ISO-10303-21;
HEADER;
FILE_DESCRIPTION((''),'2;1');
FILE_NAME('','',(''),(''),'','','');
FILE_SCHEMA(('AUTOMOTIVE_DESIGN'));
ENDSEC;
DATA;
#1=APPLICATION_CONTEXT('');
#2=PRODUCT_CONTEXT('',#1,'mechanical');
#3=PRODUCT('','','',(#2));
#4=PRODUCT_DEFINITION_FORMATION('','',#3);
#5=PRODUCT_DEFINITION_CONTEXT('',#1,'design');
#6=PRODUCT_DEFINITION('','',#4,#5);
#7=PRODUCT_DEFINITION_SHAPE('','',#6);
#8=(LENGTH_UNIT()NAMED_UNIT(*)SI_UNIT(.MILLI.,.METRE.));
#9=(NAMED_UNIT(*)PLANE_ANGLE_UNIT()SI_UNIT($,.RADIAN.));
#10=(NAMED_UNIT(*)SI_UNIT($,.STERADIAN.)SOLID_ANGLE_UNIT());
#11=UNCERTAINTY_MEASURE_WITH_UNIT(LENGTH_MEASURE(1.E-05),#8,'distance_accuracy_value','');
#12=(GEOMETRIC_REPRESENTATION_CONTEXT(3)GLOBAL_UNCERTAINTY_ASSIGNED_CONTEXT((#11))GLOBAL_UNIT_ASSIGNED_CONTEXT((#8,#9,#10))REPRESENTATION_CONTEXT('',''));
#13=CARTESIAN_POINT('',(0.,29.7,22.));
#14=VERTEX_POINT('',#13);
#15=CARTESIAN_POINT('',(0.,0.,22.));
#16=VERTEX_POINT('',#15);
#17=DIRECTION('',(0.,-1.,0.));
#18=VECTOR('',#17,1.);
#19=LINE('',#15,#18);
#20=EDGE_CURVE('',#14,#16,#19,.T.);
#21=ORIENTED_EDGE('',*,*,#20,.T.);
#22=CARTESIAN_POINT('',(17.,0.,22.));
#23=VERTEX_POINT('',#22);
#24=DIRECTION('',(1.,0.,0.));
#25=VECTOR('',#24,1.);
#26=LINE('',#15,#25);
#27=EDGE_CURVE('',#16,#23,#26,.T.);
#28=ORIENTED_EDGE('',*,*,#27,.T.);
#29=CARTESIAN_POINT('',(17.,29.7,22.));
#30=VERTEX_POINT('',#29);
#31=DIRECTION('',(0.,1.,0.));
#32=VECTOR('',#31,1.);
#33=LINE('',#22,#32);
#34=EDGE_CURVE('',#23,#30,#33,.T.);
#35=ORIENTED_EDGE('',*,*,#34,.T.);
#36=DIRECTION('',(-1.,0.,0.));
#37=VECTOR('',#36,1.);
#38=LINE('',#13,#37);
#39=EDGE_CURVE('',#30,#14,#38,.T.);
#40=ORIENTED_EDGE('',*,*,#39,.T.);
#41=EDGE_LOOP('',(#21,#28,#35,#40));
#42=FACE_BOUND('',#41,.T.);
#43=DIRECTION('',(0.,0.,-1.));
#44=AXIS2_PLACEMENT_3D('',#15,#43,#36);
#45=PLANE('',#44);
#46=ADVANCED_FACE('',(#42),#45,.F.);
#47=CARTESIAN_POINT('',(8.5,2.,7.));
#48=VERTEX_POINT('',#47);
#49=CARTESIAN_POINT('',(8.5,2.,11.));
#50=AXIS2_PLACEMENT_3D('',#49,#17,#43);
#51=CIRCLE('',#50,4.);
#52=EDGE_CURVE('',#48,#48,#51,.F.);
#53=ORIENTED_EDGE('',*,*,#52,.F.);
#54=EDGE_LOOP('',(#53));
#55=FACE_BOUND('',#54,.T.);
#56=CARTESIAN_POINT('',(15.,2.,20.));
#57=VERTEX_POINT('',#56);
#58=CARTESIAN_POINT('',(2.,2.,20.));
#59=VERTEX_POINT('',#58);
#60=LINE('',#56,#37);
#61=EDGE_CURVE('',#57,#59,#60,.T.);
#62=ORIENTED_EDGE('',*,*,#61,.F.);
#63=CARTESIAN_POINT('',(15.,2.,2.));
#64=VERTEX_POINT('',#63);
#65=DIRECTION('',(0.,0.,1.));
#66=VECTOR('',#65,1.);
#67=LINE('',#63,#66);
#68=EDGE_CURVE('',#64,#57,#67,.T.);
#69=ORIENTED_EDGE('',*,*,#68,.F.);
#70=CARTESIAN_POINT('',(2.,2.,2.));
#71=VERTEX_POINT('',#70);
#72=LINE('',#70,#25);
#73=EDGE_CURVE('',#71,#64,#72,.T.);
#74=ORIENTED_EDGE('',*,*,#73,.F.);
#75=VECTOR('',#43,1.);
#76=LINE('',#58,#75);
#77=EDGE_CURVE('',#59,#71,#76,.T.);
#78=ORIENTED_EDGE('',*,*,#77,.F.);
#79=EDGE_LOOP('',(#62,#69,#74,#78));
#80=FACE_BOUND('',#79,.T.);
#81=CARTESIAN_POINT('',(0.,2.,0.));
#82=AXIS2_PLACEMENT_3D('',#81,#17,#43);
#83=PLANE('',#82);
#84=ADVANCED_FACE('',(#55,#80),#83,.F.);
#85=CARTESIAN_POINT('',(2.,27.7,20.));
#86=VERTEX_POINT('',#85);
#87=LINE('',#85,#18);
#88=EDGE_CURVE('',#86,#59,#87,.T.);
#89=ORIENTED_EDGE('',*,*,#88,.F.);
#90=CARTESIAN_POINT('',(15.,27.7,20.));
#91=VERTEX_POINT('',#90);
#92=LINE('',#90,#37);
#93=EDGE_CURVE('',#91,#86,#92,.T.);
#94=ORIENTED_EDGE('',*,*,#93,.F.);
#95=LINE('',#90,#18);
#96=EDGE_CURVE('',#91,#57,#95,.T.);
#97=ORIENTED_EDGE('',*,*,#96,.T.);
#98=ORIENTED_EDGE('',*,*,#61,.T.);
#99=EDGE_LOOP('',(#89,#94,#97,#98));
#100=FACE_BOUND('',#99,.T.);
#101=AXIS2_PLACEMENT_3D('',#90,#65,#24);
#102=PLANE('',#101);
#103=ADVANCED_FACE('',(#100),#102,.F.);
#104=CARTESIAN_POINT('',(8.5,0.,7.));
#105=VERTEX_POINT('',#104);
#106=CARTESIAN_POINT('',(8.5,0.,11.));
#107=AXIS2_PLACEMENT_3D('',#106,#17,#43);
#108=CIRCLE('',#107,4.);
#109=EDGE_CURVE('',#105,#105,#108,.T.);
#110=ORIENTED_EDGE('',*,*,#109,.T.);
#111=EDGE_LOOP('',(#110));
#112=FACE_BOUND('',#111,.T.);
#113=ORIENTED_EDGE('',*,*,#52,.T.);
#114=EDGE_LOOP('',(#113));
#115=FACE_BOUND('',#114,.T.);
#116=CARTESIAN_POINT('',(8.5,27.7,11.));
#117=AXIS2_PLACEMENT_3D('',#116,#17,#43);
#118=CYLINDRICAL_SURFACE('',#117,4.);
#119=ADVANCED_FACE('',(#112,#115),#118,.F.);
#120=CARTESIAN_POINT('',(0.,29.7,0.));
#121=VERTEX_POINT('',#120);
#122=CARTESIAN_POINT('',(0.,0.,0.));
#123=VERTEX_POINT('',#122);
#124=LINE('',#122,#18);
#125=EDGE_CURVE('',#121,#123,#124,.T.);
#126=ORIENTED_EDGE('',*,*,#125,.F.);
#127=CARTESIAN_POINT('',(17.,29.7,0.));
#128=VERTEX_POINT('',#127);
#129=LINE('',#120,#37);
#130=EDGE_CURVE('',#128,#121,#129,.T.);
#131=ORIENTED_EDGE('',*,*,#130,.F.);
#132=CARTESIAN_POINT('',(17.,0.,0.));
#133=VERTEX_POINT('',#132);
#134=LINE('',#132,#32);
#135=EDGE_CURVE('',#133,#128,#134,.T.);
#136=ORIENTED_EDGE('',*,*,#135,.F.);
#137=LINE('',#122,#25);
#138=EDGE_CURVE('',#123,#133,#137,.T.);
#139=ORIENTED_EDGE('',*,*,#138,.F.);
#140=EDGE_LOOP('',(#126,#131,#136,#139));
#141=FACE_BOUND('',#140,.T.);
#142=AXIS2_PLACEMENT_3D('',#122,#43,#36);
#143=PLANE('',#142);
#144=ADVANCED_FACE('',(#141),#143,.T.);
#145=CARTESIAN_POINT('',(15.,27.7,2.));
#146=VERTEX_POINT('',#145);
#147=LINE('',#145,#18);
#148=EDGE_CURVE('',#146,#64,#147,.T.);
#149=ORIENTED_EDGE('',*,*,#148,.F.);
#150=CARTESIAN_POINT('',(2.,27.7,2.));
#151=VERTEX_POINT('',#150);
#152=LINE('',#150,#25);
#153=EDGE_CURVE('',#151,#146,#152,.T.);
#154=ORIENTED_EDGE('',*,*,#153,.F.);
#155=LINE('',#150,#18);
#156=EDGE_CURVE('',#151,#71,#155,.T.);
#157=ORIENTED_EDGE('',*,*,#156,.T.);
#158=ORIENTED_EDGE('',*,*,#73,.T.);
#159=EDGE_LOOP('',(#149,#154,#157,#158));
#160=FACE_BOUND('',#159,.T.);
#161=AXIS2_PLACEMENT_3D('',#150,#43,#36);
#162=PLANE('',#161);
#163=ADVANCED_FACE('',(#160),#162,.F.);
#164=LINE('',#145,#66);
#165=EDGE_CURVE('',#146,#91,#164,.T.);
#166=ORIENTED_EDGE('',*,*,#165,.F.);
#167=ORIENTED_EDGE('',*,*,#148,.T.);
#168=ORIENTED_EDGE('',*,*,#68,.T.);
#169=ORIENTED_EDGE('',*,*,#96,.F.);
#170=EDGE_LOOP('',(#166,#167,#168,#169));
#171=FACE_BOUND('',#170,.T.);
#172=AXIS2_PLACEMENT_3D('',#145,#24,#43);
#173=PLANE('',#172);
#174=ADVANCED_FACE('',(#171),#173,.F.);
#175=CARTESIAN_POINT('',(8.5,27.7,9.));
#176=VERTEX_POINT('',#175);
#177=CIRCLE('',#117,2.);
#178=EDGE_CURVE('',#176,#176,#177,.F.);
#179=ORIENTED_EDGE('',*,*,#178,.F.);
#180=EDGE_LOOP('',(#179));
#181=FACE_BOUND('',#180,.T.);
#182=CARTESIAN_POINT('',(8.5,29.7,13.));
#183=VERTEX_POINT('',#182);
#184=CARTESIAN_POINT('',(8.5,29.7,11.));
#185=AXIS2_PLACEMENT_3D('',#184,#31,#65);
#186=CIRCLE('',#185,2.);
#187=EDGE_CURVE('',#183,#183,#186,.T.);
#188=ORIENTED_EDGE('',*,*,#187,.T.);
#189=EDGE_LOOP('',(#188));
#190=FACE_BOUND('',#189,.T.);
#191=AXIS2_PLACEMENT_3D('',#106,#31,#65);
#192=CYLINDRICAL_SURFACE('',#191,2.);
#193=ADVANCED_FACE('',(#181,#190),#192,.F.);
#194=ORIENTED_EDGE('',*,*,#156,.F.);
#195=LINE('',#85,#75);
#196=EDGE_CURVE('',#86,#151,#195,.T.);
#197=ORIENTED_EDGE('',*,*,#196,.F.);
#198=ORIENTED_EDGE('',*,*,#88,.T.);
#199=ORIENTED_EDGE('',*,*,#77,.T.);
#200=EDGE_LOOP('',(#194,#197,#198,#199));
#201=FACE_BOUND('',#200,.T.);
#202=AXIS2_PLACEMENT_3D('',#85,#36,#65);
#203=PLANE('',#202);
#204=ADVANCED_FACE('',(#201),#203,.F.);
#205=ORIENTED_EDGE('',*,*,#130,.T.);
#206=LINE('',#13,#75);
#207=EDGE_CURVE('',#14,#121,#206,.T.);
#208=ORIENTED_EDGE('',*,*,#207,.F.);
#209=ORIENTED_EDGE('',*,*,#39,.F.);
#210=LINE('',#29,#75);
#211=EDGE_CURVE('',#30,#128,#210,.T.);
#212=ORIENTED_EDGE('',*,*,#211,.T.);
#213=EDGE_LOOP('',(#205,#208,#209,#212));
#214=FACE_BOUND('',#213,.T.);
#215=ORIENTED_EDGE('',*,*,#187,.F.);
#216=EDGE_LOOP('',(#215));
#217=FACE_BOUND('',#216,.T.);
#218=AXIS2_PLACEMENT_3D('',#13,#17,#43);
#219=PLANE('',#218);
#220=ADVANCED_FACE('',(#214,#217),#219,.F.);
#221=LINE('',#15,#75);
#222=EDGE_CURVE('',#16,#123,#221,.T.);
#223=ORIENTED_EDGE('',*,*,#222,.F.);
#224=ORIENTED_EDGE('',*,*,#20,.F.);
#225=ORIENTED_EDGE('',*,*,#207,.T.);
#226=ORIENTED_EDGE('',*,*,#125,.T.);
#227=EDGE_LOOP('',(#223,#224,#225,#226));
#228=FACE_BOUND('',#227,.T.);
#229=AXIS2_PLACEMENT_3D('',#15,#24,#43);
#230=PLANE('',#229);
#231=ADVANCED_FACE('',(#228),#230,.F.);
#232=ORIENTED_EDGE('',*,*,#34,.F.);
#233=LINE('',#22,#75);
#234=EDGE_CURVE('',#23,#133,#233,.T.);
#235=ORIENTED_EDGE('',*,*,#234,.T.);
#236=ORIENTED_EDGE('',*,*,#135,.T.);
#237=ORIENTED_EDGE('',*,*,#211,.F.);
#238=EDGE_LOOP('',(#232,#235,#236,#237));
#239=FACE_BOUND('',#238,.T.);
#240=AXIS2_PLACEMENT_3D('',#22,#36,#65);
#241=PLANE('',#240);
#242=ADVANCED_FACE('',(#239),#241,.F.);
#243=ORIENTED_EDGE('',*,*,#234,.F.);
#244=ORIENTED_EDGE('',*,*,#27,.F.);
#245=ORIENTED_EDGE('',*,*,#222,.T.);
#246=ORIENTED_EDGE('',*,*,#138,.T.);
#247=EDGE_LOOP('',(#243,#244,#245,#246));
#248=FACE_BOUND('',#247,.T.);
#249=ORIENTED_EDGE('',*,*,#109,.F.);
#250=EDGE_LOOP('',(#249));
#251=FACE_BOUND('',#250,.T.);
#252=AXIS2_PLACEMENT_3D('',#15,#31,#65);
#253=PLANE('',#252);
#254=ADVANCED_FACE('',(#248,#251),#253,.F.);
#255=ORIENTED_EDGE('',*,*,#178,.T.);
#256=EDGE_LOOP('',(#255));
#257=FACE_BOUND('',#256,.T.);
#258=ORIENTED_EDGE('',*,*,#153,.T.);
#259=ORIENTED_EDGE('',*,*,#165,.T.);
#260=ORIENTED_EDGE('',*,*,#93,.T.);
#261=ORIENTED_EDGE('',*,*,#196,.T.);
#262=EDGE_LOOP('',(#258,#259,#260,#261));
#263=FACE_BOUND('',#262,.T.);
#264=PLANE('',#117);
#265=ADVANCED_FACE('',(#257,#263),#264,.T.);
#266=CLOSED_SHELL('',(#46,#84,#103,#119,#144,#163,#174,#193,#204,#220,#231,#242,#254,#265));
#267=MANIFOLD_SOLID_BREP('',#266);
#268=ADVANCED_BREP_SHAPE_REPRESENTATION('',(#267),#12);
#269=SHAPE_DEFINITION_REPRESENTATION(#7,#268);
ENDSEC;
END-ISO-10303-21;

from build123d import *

# Parameters (mm, degrees)
SKETCH1_W           = 17
SKETCH1_H           = 29.7
BOSS_EXTRUDE1_DEPTH = 22
SKETCH2_R           = 2
CUT_EXTRUDE1_DEPTH  = 30.7
SKETCH3_R           = 4
CUT_EXTRUDE2_DEPTH  = 27.7
CUT_EXTRUDE4_START  = -2
SKETCH4_W           = 13
SKETCH4_H           = 18
CUT_EXTRUDE4_DEPTH  = 25.7


with BuildPart() as part:
    # Sketch1 → Boss-Extrude1 (new body)
    with BuildSketch(Plane.XY):
        with Locations((8.5, 14.85)):
            Rectangle(SKETCH1_W, SKETCH1_H)
    extrude(amount=BOSS_EXTRUDE1_DEPTH)

    # Sketch2 → Cut-Extrude1 (cut, through all)
    with BuildSketch(Plane(origin=(0, 29.7, 0), x_dir=(1, 0, 0), z_dir=(0, 1, 0))):
        with Locations((8.5, -11)):
            Circle(SKETCH2_R)
    extrude(amount=-CUT_EXTRUDE1_DEPTH, mode=Mode.SUBTRACT)

    # Sketch3 → Cut-Extrude2 (cut)
    with BuildSketch(Plane.XZ):
        with Locations((8.5, 11)):
            Circle(SKETCH3_R)
    extrude(amount=-CUT_EXTRUDE2_DEPTH, mode=Mode.SUBTRACT)

    # Sketch4 → Cut-Extrude4 (cut)
    with BuildSketch(Plane.XZ.offset(CUT_EXTRUDE4_START)):
        with Locations((8.5, 11)):
            Rectangle(SKETCH4_W, SKETCH4_H)
    extrude(amount=-CUT_EXTRUDE4_DEPTH, mode=Mode.SUBTRACT)


solid = part.part
